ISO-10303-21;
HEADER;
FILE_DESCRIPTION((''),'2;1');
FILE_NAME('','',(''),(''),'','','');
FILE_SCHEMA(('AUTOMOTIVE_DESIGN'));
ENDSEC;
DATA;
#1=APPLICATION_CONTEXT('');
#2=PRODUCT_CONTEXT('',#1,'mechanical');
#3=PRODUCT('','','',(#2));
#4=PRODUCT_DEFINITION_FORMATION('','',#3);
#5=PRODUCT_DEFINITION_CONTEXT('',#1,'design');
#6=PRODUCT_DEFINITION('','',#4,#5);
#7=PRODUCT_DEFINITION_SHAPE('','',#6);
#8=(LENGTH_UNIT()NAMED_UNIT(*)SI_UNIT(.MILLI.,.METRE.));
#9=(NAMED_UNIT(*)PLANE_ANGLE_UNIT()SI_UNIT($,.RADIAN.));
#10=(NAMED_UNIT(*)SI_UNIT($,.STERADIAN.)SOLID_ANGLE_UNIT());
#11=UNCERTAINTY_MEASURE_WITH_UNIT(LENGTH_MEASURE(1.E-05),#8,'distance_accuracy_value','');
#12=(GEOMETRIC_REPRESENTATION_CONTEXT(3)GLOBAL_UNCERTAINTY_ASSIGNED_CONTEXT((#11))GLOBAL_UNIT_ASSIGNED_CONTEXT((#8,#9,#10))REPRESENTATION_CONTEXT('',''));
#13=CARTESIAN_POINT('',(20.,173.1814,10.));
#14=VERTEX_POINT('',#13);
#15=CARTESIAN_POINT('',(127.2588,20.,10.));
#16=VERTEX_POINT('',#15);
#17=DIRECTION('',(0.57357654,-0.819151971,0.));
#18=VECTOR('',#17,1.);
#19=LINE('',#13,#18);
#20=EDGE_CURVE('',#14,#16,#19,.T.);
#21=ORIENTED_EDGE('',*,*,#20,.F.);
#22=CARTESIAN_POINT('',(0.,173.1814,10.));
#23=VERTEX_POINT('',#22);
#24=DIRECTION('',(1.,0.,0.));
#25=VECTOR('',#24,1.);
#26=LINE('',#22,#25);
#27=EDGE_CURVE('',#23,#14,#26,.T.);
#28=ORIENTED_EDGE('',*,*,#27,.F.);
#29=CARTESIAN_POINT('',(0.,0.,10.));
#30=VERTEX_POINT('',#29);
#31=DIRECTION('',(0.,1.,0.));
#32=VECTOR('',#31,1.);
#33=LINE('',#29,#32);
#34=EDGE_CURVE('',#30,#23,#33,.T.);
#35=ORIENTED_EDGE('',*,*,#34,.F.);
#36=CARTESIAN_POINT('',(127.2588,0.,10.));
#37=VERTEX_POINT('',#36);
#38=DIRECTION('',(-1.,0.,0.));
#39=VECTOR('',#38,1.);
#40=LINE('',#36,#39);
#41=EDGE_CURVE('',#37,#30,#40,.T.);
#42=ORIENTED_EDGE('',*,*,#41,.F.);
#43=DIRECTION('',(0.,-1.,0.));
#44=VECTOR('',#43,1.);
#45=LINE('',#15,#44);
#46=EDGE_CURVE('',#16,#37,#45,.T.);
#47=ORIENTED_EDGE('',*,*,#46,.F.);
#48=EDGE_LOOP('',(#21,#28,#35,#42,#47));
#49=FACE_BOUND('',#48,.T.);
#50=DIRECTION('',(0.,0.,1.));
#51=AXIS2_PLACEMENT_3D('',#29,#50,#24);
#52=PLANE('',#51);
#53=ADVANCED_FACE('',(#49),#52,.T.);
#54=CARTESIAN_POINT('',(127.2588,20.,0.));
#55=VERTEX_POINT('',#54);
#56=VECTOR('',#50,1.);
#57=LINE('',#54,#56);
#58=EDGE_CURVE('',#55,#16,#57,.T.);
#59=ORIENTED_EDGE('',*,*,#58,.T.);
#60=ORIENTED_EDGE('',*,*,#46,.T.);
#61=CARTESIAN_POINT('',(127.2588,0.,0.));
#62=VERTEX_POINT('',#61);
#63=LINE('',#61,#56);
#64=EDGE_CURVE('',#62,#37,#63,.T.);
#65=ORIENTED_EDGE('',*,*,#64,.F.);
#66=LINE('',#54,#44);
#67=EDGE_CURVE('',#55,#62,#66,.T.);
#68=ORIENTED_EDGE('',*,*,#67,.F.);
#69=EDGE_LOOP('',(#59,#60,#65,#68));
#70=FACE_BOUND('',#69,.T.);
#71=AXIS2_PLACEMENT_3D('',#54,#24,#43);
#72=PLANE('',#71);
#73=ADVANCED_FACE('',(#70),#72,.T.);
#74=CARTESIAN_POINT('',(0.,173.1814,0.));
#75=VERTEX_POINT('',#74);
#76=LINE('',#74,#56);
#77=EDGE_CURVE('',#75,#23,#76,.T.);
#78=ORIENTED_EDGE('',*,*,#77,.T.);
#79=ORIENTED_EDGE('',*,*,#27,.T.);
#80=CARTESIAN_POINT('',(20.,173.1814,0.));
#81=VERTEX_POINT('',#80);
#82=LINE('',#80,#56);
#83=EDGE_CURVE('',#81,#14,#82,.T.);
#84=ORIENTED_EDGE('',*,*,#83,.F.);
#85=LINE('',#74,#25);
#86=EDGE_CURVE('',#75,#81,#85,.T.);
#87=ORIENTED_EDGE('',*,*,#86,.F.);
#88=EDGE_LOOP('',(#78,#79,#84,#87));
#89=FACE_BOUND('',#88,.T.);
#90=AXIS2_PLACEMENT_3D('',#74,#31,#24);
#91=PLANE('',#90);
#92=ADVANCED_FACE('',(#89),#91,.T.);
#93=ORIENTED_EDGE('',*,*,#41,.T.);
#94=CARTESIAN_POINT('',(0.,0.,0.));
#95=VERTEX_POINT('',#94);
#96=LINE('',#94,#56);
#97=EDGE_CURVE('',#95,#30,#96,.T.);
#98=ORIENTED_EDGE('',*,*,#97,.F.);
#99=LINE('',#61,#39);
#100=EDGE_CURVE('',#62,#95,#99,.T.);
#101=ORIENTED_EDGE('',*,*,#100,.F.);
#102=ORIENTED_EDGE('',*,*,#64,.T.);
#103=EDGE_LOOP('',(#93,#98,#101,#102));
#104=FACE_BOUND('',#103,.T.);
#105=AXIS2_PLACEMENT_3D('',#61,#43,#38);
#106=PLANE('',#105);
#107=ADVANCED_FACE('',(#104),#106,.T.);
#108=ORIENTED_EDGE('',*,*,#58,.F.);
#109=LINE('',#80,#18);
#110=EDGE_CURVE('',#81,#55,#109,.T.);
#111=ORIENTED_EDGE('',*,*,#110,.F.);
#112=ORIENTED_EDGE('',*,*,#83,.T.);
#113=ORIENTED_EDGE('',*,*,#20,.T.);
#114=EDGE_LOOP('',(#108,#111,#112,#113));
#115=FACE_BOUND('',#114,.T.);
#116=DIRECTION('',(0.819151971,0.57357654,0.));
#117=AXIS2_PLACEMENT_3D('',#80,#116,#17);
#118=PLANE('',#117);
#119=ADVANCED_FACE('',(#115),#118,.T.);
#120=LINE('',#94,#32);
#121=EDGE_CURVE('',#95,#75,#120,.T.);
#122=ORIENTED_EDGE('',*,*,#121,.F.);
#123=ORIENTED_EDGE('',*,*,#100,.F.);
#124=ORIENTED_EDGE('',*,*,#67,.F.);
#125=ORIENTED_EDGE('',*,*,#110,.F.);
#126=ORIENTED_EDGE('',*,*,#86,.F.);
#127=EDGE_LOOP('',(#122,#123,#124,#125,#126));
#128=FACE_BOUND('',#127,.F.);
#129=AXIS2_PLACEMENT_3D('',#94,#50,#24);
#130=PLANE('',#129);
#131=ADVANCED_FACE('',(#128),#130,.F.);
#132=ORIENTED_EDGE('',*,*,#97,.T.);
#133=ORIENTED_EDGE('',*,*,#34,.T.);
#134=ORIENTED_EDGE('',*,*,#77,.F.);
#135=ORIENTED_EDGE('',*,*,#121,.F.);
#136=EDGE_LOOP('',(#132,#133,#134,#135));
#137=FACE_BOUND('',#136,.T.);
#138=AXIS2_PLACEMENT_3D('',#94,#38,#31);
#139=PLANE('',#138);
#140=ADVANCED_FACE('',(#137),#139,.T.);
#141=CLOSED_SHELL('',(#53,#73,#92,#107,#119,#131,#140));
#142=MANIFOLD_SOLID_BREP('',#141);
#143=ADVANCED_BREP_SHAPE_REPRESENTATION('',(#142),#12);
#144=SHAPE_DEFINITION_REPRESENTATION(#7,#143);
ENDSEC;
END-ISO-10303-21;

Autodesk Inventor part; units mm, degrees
ref_plane "YZ Plane" through (0, 0, 0) normal (1, 0, 0) x (0, 1, 0)
ref_plane "XZ Plane" through (0, 0, 0) normal (0, 1, 0) x (-1, 0, 0)
ref_plane "XY Plane" through (0, 0, 0) normal (0, 0, 1) x (1, 0, 0)
sketch "Sketch1" plane through (0, 0, 0) normal (0, 0, 1) x (1, 0, 0)
  line L0 (0, 0) -> (0, 173.1814)
  line L1 (0, 173.1814) -> (20, 173.1814)
  line L2 (20, 173.1814) -> (127.2588, 20)
  line L3 (127.2588, 20) -> (127.2588, 0)
  line L4 (127.2588, 0) -> (0, 0)
  dimension "d0" = 20
  dimension "d1" = 55
  dimension "d2" = 187
  dimension "d3" = 20
extrude "Extrusion1" add sketch "Sketch1" along normal blind 10
properties part number "case2"
